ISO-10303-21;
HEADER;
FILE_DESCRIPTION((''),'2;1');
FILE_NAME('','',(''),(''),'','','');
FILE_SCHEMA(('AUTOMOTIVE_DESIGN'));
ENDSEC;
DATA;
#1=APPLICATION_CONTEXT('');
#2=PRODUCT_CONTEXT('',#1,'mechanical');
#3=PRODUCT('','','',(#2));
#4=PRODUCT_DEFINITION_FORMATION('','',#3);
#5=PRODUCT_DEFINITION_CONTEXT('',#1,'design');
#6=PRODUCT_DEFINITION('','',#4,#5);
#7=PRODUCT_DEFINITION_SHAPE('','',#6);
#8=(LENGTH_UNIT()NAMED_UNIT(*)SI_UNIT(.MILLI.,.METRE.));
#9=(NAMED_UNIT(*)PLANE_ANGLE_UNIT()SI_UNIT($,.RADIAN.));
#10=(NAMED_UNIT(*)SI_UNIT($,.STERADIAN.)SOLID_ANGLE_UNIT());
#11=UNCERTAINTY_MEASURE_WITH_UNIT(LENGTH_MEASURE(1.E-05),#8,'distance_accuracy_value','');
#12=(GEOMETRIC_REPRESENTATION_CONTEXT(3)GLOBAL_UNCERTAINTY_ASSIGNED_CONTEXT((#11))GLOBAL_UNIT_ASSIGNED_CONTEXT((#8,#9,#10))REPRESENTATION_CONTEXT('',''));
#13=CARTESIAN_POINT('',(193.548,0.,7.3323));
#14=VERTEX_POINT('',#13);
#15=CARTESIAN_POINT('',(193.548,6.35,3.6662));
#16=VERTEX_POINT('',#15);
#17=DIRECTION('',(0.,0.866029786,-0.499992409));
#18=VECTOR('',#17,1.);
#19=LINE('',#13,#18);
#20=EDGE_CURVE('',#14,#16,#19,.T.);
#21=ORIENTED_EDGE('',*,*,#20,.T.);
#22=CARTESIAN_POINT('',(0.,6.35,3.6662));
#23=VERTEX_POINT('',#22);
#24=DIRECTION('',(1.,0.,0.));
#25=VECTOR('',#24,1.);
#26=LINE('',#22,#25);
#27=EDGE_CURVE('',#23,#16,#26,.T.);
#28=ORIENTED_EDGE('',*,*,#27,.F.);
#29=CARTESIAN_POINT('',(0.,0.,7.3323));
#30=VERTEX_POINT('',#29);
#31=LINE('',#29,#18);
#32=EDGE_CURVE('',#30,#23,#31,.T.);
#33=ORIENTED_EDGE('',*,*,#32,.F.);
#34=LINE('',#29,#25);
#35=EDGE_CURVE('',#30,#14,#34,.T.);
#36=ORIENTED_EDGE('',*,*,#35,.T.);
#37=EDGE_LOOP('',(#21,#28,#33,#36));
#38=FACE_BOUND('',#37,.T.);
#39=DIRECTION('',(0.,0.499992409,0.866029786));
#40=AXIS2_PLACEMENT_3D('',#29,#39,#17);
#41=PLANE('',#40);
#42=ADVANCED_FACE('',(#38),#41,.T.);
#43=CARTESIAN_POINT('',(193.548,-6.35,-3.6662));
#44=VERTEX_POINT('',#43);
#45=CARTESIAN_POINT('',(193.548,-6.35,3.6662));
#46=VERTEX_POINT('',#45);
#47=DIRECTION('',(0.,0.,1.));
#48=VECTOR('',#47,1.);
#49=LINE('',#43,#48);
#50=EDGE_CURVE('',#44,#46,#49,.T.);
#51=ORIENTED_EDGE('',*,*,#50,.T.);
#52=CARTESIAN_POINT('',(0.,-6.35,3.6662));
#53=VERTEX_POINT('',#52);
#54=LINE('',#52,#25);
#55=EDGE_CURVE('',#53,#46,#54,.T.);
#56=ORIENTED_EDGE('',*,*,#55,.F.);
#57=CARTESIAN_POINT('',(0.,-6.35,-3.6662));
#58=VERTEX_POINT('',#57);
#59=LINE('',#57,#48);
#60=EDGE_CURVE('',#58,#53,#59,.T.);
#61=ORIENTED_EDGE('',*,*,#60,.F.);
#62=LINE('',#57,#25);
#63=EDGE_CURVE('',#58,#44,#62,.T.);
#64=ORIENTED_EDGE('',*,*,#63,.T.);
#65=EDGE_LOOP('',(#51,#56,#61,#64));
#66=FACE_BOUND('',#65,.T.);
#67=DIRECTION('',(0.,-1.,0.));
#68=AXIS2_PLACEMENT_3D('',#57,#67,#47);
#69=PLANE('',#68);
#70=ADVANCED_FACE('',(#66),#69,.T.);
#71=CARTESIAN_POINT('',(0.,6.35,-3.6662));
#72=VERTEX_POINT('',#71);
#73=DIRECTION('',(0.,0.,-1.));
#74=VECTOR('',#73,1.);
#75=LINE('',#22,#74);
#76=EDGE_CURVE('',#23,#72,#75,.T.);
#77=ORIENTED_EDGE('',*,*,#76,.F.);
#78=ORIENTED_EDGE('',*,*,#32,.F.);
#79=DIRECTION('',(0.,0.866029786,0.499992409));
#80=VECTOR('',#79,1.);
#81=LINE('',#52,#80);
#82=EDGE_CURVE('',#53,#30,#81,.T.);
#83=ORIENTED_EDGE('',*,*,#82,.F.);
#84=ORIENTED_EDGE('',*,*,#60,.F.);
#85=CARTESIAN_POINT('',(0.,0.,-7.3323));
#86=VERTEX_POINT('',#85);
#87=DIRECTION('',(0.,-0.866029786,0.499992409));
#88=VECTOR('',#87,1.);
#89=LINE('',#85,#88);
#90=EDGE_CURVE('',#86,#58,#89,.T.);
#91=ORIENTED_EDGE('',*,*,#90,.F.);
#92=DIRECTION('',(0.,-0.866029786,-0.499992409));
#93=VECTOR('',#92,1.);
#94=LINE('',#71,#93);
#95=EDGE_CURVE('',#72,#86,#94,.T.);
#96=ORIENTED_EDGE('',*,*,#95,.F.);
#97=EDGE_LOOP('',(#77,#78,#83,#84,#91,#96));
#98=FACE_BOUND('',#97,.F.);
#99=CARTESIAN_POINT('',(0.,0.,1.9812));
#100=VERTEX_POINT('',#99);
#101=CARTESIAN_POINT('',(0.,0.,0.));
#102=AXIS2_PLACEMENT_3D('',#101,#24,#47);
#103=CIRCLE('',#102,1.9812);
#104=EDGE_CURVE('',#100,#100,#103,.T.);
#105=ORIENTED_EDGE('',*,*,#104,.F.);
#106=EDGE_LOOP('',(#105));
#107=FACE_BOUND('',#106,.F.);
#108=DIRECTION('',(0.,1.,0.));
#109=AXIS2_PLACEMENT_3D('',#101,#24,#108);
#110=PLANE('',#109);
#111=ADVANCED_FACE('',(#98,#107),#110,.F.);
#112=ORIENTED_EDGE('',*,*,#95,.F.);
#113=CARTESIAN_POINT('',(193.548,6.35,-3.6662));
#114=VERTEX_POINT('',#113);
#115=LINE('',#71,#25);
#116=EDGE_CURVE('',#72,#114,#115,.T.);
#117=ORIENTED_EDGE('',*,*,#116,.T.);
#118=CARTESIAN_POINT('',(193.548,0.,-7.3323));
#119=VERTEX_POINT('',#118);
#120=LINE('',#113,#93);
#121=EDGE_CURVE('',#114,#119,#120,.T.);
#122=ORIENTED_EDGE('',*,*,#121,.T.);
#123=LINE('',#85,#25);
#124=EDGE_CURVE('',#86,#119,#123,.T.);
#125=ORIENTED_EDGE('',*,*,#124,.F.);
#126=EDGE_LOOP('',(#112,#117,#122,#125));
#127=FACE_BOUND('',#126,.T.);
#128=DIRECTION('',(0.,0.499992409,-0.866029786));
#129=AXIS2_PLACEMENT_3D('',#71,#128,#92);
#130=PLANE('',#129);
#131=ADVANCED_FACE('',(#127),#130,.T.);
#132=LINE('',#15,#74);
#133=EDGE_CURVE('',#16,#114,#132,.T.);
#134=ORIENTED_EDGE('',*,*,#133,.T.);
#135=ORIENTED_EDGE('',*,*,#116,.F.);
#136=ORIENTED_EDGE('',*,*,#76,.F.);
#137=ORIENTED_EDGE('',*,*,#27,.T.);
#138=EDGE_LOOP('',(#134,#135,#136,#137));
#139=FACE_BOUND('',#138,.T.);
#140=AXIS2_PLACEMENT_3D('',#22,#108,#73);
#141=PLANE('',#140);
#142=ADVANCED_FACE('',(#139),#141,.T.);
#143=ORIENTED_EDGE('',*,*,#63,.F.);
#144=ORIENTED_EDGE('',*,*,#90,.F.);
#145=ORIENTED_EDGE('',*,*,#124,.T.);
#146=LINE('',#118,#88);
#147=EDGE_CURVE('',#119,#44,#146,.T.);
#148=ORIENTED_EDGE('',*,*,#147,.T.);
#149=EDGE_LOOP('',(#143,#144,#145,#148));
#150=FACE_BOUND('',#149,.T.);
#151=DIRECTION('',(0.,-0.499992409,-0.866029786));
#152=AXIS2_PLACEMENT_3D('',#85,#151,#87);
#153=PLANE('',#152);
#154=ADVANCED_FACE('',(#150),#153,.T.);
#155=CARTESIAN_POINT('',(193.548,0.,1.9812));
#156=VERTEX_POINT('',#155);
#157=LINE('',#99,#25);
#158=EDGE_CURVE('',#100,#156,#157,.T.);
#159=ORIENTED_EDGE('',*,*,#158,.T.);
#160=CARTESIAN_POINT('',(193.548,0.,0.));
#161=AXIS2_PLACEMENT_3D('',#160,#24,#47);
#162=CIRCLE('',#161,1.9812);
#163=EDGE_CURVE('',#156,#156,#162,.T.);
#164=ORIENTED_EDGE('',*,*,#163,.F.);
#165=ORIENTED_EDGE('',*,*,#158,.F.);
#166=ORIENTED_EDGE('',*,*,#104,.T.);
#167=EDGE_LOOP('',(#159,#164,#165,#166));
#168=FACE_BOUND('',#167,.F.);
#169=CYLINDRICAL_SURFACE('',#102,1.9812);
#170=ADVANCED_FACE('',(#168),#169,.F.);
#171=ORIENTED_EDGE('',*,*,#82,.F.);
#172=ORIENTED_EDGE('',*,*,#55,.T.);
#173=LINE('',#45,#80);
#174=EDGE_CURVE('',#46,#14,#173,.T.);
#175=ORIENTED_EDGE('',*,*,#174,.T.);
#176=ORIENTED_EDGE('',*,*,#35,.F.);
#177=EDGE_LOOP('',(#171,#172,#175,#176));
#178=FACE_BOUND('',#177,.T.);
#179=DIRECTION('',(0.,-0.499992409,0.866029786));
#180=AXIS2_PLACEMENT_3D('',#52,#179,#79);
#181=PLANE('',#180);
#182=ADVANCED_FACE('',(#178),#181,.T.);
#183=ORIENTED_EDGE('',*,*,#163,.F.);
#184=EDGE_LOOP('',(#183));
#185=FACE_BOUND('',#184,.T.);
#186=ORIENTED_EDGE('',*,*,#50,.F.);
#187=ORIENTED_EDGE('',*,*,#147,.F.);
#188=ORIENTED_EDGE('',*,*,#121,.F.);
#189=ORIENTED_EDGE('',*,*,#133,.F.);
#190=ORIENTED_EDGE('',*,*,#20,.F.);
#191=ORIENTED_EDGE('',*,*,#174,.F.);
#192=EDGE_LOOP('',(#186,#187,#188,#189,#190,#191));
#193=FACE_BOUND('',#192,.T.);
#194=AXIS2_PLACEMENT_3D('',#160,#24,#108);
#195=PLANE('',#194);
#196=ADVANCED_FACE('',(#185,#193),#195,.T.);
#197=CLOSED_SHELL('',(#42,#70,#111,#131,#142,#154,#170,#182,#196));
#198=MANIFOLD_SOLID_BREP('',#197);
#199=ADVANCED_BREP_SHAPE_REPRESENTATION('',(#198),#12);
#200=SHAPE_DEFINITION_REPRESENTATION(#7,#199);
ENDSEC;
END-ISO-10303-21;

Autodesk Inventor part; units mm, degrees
ref_plane "YZ Plane" through (0, 0, 0) normal (1, 0, 0) x (0, 1, 0)
ref_plane "XZ Plane" through (0, 0, 0) normal (0, 1, 0) x (-1, 0, 0)
ref_plane "XY Plane" through (0, 0, 0) normal (0, 0, 1) x (1, 0, 0)
sketch "Sketch1" plane through (0, 0, 0) normal (1, 0, 0) x (0, 1, 0)
  line L0 (-6.35, -3.6662) -> (-6.35, 3.6662)
  line L1 (-6.35, 3.6662) -> (0, 7.3323)
  line L2 (0, 7.3323) -> (6.35, 3.6662)
  line L3 (6.35, 3.6662) -> (6.35, -3.6662)
  line L4 (6.35, -3.6662) -> (0, -7.3323)
  line L5 (0, -7.3323) -> (-6.35, -3.6662)
  point P0 (0, 0)
  point P1 (0, 0)
  dimension "d0" = 12.7
extrude "Extrusion1" add sketch "Sketch1" along normal blind 193.548
sketch "Sketch2" plane through (0, 0, 0) normal (-1, 0, 0) x (0, 0, 1)
  point P0 (0, 0)
  point P1 (0, 0)
hole "Hole1" at (0, 0, 0) direction (1, 0, 0) diameter 3.9624 end through all thread size "10-32 UNF" class "2B" standard "ANSI Unified Screw Threads"
properties part number "STOCK,SHAFT,HEX,HOOD,WHEELS" material "Aluminum 6061"
